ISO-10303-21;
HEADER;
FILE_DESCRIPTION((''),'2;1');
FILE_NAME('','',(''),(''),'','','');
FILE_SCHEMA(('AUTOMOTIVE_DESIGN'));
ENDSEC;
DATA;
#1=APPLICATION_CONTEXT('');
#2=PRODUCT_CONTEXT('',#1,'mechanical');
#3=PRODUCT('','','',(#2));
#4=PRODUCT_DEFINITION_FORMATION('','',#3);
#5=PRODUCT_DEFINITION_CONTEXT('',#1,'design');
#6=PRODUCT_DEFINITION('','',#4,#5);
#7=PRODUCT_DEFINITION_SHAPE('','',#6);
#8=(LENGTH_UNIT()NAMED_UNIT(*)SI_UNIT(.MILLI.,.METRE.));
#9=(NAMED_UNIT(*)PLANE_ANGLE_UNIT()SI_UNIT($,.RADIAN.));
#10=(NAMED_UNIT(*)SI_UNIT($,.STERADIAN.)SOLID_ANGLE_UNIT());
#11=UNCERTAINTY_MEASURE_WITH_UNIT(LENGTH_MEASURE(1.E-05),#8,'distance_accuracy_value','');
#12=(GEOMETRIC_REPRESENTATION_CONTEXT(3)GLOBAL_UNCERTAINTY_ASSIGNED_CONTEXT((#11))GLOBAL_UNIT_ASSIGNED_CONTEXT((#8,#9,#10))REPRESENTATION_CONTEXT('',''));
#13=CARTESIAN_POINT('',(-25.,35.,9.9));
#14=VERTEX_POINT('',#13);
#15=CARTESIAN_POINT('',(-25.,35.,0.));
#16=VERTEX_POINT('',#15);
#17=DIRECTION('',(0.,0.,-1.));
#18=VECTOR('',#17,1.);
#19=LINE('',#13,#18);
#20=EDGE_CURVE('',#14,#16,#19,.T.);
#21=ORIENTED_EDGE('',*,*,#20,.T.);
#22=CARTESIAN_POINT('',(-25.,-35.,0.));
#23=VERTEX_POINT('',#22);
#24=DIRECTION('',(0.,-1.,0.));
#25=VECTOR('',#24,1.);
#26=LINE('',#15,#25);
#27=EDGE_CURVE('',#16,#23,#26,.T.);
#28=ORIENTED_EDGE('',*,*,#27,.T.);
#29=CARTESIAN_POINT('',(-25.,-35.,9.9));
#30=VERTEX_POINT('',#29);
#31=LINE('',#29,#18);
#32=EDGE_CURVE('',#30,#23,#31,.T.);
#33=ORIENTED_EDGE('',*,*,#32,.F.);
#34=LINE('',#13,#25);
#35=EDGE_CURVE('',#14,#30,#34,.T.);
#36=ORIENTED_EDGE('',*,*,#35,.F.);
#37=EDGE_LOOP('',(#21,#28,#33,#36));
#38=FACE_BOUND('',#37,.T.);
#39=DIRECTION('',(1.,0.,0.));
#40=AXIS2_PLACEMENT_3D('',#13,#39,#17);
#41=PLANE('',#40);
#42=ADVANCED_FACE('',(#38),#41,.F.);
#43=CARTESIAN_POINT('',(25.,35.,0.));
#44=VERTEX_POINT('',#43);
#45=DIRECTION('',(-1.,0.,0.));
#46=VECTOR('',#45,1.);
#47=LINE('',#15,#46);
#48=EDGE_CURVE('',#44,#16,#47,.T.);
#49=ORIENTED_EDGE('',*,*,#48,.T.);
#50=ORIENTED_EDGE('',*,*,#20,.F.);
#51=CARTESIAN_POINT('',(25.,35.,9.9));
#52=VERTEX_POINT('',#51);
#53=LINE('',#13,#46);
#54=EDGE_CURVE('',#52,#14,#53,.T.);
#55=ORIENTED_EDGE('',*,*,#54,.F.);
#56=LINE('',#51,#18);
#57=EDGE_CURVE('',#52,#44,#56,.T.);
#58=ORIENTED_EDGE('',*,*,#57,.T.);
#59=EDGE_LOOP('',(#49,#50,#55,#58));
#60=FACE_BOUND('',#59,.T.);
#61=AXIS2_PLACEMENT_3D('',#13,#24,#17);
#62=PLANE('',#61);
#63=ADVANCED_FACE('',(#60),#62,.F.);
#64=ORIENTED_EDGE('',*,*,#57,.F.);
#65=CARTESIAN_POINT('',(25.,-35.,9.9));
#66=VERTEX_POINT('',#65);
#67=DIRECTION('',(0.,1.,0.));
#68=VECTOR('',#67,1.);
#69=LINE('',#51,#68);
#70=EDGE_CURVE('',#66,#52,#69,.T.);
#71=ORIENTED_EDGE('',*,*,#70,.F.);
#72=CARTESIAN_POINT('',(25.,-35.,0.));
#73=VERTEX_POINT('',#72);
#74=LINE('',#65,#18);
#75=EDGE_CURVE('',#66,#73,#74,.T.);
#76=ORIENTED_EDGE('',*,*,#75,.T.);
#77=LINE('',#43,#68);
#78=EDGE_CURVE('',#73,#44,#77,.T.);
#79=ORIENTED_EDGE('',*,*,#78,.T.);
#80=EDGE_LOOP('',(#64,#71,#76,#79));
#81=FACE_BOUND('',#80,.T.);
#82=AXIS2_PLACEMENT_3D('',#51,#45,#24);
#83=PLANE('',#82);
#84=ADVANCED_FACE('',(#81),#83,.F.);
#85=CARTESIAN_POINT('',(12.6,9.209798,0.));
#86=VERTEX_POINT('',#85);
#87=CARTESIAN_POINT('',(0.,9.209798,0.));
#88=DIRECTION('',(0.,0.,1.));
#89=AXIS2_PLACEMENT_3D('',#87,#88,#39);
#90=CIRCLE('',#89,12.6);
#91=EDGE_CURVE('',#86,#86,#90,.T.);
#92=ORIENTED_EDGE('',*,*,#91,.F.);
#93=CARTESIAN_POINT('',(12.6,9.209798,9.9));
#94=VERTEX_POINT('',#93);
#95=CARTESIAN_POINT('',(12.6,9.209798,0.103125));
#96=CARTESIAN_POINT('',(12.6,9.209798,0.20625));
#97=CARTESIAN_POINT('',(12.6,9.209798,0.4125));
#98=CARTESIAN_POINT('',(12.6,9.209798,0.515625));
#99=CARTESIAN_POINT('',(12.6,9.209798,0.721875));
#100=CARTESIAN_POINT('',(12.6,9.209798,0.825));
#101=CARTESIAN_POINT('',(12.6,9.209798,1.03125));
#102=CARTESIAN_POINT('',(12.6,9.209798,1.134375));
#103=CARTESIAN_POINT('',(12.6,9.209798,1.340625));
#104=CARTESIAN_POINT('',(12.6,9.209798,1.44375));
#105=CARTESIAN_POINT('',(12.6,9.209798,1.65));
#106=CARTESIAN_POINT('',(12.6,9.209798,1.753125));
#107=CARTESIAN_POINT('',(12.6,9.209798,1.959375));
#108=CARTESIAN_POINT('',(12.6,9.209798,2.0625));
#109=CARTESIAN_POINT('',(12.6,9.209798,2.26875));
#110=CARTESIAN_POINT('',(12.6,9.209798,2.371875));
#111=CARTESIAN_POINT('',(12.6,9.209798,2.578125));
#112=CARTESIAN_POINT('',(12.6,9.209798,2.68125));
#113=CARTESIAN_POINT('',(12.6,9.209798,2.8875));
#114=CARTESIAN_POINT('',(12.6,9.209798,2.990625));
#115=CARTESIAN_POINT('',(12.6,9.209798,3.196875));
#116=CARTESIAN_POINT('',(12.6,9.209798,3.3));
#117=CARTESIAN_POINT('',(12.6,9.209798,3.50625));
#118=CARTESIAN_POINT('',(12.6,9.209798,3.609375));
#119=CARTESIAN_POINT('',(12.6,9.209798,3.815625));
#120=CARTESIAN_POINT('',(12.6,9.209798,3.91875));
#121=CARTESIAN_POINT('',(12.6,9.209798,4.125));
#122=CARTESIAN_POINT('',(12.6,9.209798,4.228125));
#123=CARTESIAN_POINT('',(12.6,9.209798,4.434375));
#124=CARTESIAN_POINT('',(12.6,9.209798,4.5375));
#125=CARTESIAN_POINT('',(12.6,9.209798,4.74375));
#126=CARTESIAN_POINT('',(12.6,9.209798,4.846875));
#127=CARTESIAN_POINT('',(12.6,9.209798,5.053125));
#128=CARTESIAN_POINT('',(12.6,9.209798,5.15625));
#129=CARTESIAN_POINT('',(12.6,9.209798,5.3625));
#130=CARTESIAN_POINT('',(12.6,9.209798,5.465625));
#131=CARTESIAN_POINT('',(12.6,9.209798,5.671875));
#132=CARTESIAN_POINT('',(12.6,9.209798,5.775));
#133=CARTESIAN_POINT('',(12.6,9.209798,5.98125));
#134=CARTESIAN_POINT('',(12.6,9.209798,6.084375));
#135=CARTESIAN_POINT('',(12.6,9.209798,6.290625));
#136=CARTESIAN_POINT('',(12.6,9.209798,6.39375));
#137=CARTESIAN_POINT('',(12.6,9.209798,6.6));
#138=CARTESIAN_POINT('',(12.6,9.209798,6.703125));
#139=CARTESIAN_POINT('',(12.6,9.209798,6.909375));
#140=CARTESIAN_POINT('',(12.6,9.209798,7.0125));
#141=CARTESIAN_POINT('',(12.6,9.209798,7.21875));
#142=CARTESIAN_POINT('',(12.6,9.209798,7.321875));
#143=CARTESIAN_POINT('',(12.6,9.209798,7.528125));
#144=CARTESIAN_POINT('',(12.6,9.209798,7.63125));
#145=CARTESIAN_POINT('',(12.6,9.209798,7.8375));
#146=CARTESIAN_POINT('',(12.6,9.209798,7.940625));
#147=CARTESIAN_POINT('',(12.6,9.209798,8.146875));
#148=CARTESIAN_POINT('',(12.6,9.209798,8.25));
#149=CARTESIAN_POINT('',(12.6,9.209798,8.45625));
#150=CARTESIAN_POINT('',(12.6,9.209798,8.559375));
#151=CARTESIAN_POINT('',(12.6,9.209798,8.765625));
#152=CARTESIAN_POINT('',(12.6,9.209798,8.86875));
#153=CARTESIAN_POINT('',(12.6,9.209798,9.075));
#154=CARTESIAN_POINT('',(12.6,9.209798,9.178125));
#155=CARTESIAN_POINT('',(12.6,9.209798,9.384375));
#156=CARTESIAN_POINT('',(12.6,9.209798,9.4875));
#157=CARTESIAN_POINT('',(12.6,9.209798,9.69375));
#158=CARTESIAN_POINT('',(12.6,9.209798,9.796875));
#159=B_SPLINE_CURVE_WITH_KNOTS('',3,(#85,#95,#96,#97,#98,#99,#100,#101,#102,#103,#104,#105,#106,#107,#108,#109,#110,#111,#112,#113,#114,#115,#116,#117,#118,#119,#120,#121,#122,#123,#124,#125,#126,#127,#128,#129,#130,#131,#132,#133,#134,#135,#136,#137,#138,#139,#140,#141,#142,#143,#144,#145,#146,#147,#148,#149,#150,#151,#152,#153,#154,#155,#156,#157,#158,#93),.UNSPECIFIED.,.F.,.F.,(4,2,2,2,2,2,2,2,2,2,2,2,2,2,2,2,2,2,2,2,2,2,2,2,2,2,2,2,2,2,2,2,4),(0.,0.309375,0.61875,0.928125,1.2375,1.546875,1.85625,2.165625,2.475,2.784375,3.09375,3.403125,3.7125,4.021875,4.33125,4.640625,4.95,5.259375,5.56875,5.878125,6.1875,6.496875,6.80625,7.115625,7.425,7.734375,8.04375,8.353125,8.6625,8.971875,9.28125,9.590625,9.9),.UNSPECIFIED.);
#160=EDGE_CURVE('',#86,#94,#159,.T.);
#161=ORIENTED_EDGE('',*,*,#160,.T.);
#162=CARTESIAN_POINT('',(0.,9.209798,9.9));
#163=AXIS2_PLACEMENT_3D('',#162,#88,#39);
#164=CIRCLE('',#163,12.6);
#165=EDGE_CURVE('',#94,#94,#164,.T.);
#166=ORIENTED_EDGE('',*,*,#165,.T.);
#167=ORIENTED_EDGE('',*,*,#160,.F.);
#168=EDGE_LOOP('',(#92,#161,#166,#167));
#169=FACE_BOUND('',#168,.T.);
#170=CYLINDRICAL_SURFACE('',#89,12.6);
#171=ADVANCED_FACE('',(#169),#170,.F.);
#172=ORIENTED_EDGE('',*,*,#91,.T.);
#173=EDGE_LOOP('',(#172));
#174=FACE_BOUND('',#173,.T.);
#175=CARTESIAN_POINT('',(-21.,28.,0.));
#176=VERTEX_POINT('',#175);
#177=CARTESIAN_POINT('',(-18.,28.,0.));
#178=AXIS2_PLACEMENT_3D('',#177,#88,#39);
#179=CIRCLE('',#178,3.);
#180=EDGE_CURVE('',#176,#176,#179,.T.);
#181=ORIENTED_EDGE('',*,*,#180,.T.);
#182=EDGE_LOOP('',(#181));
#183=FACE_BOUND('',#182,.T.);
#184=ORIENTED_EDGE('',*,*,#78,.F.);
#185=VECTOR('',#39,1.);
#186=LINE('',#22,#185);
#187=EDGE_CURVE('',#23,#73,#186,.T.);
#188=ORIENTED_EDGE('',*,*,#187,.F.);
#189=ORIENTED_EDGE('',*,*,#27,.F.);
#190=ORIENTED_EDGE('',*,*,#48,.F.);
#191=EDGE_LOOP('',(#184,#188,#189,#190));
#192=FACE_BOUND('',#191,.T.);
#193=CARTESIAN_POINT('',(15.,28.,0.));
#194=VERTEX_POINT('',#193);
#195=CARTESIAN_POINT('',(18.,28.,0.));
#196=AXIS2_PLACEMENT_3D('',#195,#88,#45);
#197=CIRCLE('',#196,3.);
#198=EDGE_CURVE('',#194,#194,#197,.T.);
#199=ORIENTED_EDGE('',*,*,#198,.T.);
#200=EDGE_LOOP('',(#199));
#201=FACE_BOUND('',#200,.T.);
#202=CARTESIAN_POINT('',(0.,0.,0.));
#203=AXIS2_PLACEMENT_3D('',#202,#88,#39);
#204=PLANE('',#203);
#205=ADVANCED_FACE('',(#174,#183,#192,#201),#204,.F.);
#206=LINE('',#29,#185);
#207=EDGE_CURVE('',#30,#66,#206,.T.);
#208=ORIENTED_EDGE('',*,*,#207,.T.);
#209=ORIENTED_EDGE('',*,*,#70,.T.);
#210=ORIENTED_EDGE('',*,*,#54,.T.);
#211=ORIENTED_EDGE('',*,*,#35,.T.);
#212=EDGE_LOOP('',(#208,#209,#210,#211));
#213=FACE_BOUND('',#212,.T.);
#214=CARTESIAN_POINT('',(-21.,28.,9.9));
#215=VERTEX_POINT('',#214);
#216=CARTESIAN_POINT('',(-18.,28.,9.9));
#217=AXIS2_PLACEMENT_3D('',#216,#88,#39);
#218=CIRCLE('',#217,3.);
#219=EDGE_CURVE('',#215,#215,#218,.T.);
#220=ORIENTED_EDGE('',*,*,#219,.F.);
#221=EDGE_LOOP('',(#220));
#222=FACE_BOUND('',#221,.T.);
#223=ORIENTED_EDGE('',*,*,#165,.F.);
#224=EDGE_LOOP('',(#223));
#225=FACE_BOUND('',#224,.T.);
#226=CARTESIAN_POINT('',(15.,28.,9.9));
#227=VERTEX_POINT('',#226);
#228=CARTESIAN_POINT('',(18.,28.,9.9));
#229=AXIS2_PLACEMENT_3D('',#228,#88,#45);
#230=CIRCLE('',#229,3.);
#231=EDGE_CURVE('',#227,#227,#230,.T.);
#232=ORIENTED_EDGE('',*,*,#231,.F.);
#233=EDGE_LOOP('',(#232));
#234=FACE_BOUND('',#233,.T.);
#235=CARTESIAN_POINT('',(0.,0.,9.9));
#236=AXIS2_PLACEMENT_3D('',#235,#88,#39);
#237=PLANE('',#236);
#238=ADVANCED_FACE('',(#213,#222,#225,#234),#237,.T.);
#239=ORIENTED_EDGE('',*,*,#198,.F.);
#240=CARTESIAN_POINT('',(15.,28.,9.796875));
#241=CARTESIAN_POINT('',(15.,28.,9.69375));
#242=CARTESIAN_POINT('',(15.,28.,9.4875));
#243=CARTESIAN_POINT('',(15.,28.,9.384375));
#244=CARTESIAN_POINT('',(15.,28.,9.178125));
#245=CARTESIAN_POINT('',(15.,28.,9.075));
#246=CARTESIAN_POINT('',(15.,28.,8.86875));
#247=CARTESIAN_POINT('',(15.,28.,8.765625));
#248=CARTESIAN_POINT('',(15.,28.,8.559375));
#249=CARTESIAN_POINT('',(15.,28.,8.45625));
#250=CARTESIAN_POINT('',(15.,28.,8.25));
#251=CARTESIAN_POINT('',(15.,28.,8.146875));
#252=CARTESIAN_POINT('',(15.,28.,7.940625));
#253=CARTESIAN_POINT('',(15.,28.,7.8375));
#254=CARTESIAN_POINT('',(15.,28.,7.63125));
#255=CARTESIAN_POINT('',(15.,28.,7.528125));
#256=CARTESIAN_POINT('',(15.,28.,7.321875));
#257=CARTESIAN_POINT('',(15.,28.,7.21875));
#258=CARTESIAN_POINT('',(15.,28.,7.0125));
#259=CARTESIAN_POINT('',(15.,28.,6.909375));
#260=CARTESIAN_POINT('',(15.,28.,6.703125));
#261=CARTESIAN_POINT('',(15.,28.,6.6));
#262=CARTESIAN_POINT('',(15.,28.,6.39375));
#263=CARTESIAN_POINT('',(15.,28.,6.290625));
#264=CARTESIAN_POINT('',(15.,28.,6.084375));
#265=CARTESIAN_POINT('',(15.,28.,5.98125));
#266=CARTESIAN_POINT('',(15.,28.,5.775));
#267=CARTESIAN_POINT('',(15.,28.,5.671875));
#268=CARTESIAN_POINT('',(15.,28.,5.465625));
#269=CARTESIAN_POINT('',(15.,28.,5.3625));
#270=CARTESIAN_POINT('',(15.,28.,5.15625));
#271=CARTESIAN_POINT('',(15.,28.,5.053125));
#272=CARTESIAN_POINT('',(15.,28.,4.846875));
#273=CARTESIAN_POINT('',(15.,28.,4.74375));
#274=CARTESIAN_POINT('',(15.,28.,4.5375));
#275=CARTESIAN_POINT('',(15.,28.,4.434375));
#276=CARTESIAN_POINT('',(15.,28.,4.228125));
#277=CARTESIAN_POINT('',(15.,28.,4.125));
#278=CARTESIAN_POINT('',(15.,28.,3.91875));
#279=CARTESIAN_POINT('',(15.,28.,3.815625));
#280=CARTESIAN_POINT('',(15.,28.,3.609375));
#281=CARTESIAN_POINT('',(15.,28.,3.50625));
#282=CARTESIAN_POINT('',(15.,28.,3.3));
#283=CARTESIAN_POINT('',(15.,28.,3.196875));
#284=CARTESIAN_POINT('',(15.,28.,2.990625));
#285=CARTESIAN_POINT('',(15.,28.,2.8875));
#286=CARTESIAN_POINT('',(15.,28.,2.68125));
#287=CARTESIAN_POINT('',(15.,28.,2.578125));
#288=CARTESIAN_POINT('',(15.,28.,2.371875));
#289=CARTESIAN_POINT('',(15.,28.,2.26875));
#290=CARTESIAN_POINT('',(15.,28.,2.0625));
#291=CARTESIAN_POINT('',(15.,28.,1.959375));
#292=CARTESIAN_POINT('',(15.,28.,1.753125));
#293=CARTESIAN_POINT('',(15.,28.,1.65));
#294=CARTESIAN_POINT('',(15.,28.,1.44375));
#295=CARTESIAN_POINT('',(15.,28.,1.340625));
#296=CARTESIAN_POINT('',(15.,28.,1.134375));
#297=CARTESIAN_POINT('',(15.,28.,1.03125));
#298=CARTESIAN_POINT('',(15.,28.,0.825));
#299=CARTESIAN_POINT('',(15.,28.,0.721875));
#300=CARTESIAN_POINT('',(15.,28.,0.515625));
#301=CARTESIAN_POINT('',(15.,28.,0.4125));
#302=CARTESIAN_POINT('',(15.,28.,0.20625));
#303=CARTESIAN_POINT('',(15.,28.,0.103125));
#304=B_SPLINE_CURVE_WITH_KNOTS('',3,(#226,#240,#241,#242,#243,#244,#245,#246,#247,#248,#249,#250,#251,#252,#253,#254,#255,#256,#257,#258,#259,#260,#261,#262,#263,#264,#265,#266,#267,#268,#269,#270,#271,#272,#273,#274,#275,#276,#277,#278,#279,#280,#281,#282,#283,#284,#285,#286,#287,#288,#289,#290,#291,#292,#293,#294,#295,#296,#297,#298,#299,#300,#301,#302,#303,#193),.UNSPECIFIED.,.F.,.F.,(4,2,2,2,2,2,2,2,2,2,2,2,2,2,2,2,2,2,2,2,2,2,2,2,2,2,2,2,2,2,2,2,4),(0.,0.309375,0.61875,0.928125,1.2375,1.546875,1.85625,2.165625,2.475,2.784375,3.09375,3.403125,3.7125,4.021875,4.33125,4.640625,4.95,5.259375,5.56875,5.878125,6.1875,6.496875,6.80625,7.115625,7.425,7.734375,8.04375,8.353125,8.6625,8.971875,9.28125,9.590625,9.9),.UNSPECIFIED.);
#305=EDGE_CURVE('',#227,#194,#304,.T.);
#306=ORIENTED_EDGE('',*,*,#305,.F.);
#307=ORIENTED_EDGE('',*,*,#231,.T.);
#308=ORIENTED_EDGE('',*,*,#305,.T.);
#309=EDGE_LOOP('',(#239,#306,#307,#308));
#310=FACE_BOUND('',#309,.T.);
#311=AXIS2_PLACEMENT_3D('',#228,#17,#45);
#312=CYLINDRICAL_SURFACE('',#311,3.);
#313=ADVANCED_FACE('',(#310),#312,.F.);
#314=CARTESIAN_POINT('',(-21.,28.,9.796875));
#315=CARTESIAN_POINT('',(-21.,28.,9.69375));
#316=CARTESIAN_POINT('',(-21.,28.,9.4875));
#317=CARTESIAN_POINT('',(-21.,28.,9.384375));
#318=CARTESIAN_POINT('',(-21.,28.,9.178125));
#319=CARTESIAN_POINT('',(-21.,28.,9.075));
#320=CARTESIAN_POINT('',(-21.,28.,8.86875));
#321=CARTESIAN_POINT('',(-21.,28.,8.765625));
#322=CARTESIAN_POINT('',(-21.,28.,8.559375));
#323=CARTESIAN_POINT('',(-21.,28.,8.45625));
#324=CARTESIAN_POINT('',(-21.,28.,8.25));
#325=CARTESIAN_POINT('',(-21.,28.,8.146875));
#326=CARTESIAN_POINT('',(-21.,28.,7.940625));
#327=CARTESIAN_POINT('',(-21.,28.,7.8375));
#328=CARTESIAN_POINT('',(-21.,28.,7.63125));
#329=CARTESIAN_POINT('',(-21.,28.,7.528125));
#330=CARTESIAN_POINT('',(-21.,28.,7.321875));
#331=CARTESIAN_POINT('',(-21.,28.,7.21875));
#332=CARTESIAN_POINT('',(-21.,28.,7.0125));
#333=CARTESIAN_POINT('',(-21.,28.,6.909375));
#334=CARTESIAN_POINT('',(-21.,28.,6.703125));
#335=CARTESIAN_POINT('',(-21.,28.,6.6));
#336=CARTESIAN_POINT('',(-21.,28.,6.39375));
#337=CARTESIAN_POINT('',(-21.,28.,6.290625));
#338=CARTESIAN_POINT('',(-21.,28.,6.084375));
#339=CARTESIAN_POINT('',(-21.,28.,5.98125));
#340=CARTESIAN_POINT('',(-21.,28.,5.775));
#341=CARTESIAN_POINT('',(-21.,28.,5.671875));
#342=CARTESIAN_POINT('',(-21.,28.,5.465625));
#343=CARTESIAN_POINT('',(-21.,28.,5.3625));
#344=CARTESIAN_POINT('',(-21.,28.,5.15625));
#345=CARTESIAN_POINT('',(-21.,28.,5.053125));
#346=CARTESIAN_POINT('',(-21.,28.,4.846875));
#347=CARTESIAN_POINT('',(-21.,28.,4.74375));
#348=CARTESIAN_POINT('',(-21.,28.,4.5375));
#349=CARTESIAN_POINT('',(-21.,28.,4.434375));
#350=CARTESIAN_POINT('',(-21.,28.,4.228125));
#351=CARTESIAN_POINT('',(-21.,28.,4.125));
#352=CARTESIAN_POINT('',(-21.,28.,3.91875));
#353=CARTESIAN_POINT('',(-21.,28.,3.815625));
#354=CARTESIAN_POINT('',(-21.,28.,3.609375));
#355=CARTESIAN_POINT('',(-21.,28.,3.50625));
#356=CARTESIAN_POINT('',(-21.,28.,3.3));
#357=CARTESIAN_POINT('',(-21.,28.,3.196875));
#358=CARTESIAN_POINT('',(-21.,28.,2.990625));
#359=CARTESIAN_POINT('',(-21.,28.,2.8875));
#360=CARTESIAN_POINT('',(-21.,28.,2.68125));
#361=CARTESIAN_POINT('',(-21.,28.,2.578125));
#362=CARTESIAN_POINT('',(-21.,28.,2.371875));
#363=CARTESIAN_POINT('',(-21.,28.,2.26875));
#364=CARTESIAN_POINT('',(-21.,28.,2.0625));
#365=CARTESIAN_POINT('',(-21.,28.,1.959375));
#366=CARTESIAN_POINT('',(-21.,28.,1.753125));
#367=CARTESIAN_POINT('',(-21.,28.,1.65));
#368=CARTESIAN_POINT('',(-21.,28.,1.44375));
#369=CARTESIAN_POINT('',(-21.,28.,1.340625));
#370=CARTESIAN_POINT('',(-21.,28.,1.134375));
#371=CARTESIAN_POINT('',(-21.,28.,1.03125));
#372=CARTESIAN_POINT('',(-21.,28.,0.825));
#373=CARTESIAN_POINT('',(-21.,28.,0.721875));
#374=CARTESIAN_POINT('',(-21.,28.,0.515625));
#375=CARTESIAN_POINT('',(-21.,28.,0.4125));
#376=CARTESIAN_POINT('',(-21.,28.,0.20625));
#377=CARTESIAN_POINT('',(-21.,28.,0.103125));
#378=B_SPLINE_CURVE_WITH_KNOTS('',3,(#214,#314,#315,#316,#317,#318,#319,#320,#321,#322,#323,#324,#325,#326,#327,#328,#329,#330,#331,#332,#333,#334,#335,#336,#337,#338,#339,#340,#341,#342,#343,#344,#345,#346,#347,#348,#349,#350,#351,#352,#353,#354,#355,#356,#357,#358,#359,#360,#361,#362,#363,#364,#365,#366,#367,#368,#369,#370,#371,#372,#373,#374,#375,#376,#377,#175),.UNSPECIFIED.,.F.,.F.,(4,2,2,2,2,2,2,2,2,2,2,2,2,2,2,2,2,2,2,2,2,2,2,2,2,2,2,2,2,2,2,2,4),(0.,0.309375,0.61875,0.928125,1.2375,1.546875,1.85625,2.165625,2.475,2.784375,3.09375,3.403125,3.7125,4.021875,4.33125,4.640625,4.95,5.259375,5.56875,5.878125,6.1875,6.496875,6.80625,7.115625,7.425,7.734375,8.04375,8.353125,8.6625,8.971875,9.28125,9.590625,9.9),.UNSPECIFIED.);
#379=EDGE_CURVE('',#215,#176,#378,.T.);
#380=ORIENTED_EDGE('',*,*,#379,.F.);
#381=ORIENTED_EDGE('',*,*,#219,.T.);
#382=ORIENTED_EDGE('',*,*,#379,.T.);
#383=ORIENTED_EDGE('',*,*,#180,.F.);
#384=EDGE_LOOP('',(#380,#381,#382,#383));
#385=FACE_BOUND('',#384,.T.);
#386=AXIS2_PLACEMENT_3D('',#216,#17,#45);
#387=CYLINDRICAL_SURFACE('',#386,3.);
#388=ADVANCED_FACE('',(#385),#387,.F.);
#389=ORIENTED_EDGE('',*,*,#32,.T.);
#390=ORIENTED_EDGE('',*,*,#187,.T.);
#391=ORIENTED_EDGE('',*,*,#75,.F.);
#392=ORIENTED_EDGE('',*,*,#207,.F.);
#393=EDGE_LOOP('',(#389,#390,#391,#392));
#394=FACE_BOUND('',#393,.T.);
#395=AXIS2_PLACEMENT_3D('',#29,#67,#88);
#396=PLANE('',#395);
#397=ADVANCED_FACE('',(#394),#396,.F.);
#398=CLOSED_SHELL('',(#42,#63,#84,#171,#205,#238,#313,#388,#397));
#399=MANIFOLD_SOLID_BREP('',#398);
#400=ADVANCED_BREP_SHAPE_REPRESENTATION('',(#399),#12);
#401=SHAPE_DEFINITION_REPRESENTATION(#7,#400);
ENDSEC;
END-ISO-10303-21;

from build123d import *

# Parameters (mm, degrees)
CROQUIS1_W              = 50
CROQUIS1_H              = 70
CROQUIS1_R              = 3
SALIENTE_EXTRUIR1_DEPTH = 9.9
CROQUIS2_R              = 12.6
CORTAR_EXTRUIR1_DEPTH   = 9.9


with BuildPart() as part:
    # Croquis1 → Saliente-Extruir1 (new body)
    with BuildSketch(Plane.XY):
        Rectangle(CROQUIS1_W, CROQUIS1_H)
        with Locations(Location((-18, 28, 0), (0, 0, 180))):
            Circle(CROQUIS1_R, mode=Mode.SUBTRACT)
        with Locations(Location((18, 28, 0), (0, 0, 180))):
            Circle(CROQUIS1_R, mode=Mode.SUBTRACT)
    extrude(amount=SALIENTE_EXTRUIR1_DEPTH)

    # Croquis2 → Cortar-Extruir1 (cut)
    with BuildSketch(Plane.XY.offset(9.9)):
        with Locations((0, 9.20979846)):
            Circle(CROQUIS2_R)
    extrude(amount=-CORTAR_EXTRUIR1_DEPTH, mode=Mode.SUBTRACT)


solid = part.part
